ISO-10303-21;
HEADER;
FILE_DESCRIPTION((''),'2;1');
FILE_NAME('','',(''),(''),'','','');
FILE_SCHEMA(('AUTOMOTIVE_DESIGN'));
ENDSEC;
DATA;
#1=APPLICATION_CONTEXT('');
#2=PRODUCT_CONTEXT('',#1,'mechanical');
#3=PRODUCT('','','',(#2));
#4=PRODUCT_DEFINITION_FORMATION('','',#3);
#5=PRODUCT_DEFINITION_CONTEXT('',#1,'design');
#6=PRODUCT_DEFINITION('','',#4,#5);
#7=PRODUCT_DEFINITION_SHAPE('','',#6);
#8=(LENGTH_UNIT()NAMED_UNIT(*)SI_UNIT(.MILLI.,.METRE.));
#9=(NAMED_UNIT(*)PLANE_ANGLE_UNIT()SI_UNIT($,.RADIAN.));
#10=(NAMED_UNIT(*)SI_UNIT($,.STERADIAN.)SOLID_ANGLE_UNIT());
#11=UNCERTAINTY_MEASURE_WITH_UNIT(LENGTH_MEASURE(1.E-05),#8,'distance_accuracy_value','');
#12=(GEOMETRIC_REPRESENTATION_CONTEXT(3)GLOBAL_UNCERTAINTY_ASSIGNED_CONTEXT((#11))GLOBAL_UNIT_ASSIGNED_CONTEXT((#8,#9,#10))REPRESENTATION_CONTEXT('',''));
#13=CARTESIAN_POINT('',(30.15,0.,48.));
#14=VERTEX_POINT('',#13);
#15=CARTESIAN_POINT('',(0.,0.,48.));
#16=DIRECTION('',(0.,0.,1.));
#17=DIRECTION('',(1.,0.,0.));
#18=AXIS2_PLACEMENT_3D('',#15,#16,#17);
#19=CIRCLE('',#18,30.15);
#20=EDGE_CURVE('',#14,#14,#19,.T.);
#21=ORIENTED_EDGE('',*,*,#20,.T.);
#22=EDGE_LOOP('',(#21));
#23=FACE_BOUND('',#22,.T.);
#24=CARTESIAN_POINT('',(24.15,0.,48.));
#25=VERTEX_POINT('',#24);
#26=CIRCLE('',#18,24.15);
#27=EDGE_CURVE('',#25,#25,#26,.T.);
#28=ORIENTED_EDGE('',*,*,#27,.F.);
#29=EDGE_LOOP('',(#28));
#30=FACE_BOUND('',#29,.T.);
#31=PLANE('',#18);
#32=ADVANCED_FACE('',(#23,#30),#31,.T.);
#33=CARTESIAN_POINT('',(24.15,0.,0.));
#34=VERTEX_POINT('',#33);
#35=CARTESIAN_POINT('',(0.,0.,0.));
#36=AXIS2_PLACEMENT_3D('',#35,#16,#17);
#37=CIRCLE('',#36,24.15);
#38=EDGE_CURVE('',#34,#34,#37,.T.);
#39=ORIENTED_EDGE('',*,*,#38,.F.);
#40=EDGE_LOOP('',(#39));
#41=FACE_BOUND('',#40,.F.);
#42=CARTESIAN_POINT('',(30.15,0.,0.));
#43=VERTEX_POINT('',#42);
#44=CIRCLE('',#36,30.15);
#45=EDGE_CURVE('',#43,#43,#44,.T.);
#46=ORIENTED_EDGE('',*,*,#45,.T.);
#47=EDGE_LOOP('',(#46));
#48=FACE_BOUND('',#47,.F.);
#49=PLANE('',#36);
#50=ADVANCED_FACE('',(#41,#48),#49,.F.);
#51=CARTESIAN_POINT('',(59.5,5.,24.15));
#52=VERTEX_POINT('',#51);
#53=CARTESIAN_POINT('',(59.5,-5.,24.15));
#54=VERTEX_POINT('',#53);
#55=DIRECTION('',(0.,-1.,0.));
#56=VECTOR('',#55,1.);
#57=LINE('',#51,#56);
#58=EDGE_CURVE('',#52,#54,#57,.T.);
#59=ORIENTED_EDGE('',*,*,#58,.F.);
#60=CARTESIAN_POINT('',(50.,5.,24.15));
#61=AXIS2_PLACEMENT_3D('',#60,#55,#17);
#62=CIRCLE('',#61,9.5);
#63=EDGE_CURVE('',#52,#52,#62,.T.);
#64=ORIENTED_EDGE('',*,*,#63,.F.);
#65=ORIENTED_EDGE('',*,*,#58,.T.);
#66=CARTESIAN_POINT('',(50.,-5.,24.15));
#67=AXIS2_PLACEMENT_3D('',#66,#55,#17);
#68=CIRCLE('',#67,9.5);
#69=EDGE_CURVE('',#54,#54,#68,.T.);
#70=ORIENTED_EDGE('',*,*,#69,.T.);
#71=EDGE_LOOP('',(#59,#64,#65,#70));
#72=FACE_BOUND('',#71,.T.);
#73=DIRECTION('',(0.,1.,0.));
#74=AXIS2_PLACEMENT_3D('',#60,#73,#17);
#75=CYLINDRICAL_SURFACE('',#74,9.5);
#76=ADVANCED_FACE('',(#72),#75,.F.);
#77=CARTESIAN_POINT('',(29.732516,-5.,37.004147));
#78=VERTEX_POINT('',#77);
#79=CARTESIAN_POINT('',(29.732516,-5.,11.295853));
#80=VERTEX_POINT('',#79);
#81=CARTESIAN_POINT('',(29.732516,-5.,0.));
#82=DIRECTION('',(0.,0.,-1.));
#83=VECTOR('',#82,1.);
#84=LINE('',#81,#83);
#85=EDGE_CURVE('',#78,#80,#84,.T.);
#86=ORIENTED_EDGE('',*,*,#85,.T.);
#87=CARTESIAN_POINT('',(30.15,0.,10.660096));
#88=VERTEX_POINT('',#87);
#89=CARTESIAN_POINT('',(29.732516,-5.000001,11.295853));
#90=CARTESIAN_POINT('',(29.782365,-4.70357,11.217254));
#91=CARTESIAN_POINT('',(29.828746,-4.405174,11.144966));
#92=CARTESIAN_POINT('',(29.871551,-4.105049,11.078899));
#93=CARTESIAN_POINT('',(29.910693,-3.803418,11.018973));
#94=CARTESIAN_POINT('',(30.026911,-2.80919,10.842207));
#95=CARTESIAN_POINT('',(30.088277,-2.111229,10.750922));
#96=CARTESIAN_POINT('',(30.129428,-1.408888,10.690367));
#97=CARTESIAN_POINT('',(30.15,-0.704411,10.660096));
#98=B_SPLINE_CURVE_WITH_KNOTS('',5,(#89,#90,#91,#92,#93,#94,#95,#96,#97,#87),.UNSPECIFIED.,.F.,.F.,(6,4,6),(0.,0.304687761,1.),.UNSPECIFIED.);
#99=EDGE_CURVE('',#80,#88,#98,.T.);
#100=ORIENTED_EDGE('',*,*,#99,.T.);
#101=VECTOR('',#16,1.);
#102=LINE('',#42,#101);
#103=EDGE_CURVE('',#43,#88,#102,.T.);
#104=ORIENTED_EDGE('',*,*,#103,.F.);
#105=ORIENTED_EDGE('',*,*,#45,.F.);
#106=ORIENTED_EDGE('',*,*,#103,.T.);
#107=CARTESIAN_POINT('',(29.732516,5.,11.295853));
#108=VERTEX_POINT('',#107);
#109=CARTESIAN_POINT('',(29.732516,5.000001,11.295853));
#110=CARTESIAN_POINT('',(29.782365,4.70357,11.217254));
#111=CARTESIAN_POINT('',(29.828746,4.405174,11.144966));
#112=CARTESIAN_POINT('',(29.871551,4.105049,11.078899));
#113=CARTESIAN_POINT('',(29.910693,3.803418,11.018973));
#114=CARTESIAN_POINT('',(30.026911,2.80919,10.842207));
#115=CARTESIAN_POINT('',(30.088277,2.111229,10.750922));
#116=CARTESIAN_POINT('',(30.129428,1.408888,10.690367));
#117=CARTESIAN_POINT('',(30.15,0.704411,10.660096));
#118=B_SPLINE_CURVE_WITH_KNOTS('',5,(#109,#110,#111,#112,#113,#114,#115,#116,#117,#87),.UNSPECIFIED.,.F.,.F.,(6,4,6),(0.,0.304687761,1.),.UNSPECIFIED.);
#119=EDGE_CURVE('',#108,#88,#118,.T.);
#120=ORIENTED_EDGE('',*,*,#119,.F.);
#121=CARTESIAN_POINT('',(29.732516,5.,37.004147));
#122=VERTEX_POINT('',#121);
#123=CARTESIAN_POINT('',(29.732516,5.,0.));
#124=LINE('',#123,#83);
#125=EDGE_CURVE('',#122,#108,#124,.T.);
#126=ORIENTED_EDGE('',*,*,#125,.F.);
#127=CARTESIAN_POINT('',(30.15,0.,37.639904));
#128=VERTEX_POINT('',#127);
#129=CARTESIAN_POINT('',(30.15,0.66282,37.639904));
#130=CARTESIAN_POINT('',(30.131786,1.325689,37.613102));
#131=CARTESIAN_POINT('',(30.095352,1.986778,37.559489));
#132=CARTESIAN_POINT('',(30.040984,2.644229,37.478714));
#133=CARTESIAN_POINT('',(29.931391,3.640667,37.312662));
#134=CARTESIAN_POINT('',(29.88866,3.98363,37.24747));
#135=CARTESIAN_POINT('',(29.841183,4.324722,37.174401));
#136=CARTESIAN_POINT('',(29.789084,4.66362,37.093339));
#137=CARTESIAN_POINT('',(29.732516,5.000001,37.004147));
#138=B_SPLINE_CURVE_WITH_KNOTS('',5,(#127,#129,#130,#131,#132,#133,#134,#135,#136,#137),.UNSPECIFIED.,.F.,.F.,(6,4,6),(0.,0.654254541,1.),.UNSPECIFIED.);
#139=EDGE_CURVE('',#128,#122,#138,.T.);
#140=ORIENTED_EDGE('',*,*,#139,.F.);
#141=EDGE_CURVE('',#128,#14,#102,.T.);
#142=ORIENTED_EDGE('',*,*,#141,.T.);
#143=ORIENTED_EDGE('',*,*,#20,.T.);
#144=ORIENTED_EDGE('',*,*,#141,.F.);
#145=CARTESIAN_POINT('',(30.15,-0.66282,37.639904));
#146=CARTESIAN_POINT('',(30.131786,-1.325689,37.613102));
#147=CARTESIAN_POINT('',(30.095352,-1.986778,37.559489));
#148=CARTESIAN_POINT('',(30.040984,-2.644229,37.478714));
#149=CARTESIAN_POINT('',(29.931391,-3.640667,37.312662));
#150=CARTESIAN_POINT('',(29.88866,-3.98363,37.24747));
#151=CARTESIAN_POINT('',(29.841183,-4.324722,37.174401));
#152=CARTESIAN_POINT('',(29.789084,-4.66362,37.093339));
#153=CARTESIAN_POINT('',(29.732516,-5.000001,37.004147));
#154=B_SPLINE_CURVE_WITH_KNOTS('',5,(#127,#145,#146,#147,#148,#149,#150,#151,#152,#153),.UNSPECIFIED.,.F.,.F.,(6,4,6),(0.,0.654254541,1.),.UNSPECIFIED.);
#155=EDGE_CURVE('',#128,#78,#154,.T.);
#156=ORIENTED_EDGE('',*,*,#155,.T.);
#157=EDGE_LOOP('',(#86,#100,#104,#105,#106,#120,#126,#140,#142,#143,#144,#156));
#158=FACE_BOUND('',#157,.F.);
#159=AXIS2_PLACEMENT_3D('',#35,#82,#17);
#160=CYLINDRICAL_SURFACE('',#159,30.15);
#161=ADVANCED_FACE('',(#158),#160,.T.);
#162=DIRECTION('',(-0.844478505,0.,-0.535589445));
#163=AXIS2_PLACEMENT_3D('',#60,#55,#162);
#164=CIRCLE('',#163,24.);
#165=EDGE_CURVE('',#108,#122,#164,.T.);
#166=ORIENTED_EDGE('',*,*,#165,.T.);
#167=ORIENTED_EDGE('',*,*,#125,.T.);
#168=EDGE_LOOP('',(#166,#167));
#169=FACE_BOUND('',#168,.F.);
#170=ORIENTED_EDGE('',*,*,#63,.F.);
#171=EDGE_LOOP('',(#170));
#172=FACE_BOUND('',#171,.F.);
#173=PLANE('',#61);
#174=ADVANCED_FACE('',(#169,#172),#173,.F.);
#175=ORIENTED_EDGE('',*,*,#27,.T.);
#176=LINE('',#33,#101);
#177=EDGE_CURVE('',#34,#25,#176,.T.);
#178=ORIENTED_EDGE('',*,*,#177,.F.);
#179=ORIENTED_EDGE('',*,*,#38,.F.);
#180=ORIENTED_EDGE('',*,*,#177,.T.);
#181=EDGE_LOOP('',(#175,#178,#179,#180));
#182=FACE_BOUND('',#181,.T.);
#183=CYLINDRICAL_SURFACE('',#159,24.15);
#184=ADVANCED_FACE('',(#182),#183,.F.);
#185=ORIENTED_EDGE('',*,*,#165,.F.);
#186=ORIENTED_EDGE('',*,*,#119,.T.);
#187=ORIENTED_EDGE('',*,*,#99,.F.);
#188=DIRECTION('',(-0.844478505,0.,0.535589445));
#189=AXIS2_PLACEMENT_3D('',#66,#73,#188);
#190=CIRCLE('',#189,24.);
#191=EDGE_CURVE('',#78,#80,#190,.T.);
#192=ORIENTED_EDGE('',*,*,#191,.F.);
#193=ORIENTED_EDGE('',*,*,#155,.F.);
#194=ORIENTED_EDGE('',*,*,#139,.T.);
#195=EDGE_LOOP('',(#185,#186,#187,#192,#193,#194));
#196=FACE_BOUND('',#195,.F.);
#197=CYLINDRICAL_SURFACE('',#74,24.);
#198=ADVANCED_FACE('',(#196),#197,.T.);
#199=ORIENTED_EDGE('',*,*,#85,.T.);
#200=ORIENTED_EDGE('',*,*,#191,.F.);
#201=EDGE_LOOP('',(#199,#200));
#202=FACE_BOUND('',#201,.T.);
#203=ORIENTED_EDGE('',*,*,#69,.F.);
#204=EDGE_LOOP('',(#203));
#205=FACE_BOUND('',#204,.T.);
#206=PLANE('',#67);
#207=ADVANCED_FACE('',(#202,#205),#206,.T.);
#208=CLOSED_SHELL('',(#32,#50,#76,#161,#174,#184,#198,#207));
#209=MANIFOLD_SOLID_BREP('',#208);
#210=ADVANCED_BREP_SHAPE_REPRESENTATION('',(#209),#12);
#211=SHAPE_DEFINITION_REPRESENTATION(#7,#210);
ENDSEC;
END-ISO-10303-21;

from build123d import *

# Parameters (mm, degrees)
SKETCH_R      = 30.15
SKETCH_R_2    = 24.15
PAD_DEPTH     = 48
SKETCH001_R   = 24
SKETCH001_R_2 = 9.5
PAD001_DEPTH  = 10


with BuildPart() as part:
    # Sketch → Pad (new body)
    with BuildSketch(Plane.XY):
        Circle(SKETCH_R)
        Circle(SKETCH_R_2, mode=Mode.SUBTRACT)
    extrude(amount=PAD_DEPTH)

    # Sketch001 → Pad001 (join)
    with BuildSketch(Plane.XZ.offset(-5)):
        with Locations((50, 24.15)):
            Circle(SKETCH001_R)
        with Locations((50, 24.15)):
            Circle(SKETCH001_R_2, mode=Mode.SUBTRACT)
    extrude(amount=PAD001_DEPTH)


solid = part.part
